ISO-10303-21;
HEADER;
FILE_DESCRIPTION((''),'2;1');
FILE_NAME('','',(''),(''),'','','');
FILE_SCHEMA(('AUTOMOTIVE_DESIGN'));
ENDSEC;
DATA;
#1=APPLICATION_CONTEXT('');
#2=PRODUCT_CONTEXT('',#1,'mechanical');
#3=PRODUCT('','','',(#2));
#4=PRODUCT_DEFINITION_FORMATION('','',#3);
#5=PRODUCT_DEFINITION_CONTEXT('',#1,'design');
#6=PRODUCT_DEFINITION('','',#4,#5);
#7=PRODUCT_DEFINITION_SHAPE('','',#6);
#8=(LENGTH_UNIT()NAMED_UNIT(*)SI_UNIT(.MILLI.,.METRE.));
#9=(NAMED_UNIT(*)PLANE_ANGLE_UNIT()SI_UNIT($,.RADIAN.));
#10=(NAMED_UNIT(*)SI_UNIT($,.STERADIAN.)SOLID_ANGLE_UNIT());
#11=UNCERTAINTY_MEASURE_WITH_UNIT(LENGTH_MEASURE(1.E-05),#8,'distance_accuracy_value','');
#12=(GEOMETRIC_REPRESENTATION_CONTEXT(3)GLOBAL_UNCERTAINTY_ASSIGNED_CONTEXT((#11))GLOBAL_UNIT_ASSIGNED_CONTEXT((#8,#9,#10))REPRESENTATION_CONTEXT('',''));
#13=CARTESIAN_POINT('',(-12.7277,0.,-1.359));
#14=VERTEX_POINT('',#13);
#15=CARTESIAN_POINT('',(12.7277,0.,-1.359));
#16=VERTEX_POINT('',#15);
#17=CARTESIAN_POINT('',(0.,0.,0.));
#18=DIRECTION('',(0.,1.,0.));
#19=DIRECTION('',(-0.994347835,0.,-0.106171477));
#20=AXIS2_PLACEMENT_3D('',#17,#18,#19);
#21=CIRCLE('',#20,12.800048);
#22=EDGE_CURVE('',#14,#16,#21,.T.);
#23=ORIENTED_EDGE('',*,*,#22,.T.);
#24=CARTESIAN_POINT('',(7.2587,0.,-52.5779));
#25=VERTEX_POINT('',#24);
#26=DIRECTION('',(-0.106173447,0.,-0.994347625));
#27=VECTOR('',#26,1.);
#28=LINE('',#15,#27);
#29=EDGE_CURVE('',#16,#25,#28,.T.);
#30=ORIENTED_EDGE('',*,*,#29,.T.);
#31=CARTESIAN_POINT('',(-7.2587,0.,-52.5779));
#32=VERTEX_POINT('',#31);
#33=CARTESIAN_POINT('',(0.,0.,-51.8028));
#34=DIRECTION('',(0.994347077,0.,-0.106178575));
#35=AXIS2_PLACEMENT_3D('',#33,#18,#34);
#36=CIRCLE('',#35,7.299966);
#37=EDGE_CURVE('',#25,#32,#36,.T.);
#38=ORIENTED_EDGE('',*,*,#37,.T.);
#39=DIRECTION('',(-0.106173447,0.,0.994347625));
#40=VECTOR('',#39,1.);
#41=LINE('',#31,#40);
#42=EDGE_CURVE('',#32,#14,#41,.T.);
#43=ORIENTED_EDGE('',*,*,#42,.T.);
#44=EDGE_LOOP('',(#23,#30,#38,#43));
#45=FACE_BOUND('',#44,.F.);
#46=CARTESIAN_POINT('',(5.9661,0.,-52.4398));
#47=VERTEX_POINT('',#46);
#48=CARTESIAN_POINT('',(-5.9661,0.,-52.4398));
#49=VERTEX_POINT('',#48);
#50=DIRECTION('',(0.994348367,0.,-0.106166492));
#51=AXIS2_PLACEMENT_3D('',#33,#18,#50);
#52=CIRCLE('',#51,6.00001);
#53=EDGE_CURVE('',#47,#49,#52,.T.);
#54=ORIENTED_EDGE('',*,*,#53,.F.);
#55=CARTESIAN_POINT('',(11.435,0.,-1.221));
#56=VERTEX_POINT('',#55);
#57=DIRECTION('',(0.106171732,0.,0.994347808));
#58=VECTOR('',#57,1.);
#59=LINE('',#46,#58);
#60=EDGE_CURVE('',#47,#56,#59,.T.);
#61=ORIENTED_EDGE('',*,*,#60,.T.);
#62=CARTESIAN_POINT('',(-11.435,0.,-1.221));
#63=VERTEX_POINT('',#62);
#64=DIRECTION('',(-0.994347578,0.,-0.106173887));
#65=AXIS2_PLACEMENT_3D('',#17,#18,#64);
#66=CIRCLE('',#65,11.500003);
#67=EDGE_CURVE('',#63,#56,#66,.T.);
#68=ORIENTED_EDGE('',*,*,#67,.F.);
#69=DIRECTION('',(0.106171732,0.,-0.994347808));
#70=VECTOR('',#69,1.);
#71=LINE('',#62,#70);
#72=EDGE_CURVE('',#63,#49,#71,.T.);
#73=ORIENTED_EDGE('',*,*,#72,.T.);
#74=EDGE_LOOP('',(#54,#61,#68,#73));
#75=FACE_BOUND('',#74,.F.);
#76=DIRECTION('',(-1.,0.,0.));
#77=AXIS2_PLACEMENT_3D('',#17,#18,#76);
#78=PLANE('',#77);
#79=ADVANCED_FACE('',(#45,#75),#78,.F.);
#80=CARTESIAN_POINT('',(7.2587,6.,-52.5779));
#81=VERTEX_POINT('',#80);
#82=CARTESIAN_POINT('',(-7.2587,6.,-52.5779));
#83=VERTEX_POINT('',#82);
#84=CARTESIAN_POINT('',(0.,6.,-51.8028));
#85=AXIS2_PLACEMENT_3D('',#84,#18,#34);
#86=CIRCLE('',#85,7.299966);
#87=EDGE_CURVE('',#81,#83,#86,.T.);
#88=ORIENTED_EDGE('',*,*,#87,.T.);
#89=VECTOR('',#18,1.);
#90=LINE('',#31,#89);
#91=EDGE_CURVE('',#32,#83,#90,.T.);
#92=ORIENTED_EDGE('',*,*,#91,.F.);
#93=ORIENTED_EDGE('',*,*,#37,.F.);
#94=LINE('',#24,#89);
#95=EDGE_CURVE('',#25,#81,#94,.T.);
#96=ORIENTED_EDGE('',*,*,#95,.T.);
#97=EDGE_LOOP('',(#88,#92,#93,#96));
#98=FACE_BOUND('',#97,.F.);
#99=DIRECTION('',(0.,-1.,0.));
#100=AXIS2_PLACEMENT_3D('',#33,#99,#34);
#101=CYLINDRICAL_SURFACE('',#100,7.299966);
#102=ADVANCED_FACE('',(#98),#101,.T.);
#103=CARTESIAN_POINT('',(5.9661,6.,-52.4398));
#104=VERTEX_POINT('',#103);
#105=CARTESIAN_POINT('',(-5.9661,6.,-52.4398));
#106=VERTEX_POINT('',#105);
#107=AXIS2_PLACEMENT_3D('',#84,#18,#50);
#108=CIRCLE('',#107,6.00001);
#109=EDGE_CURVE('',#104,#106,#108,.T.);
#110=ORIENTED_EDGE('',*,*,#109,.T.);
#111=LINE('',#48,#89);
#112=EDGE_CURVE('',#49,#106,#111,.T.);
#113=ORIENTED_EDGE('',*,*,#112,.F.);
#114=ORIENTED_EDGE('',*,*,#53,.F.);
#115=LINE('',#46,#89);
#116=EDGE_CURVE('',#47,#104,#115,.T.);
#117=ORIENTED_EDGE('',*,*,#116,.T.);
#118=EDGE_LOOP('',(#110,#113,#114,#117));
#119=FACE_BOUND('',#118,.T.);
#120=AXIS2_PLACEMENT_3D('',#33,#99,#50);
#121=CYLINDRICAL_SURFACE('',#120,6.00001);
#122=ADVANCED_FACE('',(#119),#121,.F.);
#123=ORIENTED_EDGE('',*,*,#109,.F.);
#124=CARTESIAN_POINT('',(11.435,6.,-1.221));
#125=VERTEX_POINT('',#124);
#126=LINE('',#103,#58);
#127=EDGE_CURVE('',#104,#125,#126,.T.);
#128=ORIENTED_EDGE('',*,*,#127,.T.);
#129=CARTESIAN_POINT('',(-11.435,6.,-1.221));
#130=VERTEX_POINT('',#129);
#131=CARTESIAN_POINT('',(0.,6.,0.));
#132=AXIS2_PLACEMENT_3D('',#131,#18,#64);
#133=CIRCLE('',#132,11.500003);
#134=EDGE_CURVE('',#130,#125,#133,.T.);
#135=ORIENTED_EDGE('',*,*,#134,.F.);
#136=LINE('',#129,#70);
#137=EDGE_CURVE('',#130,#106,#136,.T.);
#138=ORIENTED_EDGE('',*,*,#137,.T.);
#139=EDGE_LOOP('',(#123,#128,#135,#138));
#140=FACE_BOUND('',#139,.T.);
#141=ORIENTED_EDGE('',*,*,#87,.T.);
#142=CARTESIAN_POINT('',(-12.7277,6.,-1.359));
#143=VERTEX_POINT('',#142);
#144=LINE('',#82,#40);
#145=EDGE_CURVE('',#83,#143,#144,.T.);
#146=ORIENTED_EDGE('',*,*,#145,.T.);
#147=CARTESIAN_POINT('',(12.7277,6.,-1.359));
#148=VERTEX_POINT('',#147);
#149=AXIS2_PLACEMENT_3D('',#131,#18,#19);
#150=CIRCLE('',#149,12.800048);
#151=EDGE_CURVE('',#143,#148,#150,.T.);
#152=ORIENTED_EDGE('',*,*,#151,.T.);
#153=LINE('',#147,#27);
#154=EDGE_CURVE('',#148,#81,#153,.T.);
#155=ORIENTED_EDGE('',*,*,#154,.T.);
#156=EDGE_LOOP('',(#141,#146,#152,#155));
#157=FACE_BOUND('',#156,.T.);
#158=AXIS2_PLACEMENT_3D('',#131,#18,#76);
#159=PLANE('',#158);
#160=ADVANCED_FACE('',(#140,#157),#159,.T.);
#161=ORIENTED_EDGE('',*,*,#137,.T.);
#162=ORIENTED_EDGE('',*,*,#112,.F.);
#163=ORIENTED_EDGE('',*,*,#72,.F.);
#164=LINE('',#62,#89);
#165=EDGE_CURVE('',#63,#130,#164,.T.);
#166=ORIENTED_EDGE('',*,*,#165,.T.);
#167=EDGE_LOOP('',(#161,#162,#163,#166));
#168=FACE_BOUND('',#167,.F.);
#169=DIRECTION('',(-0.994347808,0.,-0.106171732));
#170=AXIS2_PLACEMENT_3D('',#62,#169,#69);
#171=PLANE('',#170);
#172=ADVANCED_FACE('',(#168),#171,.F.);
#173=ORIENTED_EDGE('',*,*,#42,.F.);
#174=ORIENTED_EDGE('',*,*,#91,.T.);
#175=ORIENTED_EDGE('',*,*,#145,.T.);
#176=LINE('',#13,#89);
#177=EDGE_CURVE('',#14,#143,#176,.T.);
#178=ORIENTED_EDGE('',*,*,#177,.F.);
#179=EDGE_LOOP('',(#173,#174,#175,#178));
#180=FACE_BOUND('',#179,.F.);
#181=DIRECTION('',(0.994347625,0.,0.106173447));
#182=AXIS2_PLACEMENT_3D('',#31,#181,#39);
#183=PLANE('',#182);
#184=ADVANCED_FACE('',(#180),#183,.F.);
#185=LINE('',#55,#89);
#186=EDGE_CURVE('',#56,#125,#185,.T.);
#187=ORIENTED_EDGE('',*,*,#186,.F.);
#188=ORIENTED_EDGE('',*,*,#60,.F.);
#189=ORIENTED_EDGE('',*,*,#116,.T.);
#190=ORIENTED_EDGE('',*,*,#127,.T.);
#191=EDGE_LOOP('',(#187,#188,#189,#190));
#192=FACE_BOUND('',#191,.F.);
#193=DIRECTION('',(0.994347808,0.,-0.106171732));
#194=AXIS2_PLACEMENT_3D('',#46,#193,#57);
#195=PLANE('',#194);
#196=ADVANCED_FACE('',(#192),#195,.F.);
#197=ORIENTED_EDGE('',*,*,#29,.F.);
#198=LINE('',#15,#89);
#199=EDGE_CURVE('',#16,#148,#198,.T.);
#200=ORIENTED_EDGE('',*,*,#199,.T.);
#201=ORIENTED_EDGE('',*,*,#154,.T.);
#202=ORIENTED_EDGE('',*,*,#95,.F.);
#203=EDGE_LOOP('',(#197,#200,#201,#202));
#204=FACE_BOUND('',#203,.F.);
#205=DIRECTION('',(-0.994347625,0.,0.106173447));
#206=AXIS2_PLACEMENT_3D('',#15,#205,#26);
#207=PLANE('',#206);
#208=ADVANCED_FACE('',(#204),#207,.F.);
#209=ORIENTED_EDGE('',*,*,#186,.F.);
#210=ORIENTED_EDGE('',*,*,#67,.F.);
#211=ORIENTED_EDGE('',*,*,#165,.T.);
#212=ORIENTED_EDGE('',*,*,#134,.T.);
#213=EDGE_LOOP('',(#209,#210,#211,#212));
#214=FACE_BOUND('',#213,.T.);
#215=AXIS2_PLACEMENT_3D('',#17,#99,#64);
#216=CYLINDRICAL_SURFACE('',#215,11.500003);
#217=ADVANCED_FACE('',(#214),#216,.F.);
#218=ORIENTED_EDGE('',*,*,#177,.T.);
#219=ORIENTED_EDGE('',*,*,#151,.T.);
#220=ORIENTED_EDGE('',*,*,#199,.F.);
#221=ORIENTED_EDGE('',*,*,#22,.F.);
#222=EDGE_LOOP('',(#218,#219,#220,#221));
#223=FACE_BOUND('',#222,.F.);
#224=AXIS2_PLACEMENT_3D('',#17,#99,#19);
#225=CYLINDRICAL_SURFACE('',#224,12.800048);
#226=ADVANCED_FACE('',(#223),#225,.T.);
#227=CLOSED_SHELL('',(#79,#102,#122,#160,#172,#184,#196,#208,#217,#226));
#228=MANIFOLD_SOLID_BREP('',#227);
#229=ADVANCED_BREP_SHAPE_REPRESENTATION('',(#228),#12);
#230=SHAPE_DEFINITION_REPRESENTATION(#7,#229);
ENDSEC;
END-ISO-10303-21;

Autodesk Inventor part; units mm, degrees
ref_plane "YZ Plane" through (0, 0, 0) normal (1, 0, 0) x (0, 1, 0)
ref_plane "XZ Plane" through (0, 0, 0) normal (0, 1, 0) x (-1, 0, 0)
ref_plane "XY Plane" through (0, 0, 0) normal (0, 0, 1) x (1, 0, 0)
sketch "Sketch1" plane through (0, 0, 0) normal (0, 1, 0) x (-1, 0, 0)
  arc A0 (11.435, -1.221) -> (-11.435, -1.221) centre (0, 0) ccw
  arc A1 (-5.9661, -52.4398) -> (5.9661, -52.4398) centre (0, -51.8028) ccw
  line L0 (11.435, -1.221) -> (5.9661, -52.4398)
  line L1 (-5.9661, -52.4398) -> (-11.435, -1.221)
  line L2 (7.2587, -52.5779) -> (12.7277, -1.359)
  arc A2 (12.7277, -1.359) -> (-12.7277, -1.359) centre (0, 0) ccw
  line L3 (-12.7277, -1.359) -> (-7.2587, -52.5779)
  arc A3 (-7.2587, -52.5779) -> (7.2587, -52.5779) centre (0, -51.8028) ccw
  dimension "d0" = 23
  dimension "d1" = 12
  dimension "d2" = 51.51
  dimension "d6" = 1.3
extrude "Extrusion1" add sketch "Sketch1" along normal blind 6
properties part number "tandriem32Tnaar16T_lengte158"
